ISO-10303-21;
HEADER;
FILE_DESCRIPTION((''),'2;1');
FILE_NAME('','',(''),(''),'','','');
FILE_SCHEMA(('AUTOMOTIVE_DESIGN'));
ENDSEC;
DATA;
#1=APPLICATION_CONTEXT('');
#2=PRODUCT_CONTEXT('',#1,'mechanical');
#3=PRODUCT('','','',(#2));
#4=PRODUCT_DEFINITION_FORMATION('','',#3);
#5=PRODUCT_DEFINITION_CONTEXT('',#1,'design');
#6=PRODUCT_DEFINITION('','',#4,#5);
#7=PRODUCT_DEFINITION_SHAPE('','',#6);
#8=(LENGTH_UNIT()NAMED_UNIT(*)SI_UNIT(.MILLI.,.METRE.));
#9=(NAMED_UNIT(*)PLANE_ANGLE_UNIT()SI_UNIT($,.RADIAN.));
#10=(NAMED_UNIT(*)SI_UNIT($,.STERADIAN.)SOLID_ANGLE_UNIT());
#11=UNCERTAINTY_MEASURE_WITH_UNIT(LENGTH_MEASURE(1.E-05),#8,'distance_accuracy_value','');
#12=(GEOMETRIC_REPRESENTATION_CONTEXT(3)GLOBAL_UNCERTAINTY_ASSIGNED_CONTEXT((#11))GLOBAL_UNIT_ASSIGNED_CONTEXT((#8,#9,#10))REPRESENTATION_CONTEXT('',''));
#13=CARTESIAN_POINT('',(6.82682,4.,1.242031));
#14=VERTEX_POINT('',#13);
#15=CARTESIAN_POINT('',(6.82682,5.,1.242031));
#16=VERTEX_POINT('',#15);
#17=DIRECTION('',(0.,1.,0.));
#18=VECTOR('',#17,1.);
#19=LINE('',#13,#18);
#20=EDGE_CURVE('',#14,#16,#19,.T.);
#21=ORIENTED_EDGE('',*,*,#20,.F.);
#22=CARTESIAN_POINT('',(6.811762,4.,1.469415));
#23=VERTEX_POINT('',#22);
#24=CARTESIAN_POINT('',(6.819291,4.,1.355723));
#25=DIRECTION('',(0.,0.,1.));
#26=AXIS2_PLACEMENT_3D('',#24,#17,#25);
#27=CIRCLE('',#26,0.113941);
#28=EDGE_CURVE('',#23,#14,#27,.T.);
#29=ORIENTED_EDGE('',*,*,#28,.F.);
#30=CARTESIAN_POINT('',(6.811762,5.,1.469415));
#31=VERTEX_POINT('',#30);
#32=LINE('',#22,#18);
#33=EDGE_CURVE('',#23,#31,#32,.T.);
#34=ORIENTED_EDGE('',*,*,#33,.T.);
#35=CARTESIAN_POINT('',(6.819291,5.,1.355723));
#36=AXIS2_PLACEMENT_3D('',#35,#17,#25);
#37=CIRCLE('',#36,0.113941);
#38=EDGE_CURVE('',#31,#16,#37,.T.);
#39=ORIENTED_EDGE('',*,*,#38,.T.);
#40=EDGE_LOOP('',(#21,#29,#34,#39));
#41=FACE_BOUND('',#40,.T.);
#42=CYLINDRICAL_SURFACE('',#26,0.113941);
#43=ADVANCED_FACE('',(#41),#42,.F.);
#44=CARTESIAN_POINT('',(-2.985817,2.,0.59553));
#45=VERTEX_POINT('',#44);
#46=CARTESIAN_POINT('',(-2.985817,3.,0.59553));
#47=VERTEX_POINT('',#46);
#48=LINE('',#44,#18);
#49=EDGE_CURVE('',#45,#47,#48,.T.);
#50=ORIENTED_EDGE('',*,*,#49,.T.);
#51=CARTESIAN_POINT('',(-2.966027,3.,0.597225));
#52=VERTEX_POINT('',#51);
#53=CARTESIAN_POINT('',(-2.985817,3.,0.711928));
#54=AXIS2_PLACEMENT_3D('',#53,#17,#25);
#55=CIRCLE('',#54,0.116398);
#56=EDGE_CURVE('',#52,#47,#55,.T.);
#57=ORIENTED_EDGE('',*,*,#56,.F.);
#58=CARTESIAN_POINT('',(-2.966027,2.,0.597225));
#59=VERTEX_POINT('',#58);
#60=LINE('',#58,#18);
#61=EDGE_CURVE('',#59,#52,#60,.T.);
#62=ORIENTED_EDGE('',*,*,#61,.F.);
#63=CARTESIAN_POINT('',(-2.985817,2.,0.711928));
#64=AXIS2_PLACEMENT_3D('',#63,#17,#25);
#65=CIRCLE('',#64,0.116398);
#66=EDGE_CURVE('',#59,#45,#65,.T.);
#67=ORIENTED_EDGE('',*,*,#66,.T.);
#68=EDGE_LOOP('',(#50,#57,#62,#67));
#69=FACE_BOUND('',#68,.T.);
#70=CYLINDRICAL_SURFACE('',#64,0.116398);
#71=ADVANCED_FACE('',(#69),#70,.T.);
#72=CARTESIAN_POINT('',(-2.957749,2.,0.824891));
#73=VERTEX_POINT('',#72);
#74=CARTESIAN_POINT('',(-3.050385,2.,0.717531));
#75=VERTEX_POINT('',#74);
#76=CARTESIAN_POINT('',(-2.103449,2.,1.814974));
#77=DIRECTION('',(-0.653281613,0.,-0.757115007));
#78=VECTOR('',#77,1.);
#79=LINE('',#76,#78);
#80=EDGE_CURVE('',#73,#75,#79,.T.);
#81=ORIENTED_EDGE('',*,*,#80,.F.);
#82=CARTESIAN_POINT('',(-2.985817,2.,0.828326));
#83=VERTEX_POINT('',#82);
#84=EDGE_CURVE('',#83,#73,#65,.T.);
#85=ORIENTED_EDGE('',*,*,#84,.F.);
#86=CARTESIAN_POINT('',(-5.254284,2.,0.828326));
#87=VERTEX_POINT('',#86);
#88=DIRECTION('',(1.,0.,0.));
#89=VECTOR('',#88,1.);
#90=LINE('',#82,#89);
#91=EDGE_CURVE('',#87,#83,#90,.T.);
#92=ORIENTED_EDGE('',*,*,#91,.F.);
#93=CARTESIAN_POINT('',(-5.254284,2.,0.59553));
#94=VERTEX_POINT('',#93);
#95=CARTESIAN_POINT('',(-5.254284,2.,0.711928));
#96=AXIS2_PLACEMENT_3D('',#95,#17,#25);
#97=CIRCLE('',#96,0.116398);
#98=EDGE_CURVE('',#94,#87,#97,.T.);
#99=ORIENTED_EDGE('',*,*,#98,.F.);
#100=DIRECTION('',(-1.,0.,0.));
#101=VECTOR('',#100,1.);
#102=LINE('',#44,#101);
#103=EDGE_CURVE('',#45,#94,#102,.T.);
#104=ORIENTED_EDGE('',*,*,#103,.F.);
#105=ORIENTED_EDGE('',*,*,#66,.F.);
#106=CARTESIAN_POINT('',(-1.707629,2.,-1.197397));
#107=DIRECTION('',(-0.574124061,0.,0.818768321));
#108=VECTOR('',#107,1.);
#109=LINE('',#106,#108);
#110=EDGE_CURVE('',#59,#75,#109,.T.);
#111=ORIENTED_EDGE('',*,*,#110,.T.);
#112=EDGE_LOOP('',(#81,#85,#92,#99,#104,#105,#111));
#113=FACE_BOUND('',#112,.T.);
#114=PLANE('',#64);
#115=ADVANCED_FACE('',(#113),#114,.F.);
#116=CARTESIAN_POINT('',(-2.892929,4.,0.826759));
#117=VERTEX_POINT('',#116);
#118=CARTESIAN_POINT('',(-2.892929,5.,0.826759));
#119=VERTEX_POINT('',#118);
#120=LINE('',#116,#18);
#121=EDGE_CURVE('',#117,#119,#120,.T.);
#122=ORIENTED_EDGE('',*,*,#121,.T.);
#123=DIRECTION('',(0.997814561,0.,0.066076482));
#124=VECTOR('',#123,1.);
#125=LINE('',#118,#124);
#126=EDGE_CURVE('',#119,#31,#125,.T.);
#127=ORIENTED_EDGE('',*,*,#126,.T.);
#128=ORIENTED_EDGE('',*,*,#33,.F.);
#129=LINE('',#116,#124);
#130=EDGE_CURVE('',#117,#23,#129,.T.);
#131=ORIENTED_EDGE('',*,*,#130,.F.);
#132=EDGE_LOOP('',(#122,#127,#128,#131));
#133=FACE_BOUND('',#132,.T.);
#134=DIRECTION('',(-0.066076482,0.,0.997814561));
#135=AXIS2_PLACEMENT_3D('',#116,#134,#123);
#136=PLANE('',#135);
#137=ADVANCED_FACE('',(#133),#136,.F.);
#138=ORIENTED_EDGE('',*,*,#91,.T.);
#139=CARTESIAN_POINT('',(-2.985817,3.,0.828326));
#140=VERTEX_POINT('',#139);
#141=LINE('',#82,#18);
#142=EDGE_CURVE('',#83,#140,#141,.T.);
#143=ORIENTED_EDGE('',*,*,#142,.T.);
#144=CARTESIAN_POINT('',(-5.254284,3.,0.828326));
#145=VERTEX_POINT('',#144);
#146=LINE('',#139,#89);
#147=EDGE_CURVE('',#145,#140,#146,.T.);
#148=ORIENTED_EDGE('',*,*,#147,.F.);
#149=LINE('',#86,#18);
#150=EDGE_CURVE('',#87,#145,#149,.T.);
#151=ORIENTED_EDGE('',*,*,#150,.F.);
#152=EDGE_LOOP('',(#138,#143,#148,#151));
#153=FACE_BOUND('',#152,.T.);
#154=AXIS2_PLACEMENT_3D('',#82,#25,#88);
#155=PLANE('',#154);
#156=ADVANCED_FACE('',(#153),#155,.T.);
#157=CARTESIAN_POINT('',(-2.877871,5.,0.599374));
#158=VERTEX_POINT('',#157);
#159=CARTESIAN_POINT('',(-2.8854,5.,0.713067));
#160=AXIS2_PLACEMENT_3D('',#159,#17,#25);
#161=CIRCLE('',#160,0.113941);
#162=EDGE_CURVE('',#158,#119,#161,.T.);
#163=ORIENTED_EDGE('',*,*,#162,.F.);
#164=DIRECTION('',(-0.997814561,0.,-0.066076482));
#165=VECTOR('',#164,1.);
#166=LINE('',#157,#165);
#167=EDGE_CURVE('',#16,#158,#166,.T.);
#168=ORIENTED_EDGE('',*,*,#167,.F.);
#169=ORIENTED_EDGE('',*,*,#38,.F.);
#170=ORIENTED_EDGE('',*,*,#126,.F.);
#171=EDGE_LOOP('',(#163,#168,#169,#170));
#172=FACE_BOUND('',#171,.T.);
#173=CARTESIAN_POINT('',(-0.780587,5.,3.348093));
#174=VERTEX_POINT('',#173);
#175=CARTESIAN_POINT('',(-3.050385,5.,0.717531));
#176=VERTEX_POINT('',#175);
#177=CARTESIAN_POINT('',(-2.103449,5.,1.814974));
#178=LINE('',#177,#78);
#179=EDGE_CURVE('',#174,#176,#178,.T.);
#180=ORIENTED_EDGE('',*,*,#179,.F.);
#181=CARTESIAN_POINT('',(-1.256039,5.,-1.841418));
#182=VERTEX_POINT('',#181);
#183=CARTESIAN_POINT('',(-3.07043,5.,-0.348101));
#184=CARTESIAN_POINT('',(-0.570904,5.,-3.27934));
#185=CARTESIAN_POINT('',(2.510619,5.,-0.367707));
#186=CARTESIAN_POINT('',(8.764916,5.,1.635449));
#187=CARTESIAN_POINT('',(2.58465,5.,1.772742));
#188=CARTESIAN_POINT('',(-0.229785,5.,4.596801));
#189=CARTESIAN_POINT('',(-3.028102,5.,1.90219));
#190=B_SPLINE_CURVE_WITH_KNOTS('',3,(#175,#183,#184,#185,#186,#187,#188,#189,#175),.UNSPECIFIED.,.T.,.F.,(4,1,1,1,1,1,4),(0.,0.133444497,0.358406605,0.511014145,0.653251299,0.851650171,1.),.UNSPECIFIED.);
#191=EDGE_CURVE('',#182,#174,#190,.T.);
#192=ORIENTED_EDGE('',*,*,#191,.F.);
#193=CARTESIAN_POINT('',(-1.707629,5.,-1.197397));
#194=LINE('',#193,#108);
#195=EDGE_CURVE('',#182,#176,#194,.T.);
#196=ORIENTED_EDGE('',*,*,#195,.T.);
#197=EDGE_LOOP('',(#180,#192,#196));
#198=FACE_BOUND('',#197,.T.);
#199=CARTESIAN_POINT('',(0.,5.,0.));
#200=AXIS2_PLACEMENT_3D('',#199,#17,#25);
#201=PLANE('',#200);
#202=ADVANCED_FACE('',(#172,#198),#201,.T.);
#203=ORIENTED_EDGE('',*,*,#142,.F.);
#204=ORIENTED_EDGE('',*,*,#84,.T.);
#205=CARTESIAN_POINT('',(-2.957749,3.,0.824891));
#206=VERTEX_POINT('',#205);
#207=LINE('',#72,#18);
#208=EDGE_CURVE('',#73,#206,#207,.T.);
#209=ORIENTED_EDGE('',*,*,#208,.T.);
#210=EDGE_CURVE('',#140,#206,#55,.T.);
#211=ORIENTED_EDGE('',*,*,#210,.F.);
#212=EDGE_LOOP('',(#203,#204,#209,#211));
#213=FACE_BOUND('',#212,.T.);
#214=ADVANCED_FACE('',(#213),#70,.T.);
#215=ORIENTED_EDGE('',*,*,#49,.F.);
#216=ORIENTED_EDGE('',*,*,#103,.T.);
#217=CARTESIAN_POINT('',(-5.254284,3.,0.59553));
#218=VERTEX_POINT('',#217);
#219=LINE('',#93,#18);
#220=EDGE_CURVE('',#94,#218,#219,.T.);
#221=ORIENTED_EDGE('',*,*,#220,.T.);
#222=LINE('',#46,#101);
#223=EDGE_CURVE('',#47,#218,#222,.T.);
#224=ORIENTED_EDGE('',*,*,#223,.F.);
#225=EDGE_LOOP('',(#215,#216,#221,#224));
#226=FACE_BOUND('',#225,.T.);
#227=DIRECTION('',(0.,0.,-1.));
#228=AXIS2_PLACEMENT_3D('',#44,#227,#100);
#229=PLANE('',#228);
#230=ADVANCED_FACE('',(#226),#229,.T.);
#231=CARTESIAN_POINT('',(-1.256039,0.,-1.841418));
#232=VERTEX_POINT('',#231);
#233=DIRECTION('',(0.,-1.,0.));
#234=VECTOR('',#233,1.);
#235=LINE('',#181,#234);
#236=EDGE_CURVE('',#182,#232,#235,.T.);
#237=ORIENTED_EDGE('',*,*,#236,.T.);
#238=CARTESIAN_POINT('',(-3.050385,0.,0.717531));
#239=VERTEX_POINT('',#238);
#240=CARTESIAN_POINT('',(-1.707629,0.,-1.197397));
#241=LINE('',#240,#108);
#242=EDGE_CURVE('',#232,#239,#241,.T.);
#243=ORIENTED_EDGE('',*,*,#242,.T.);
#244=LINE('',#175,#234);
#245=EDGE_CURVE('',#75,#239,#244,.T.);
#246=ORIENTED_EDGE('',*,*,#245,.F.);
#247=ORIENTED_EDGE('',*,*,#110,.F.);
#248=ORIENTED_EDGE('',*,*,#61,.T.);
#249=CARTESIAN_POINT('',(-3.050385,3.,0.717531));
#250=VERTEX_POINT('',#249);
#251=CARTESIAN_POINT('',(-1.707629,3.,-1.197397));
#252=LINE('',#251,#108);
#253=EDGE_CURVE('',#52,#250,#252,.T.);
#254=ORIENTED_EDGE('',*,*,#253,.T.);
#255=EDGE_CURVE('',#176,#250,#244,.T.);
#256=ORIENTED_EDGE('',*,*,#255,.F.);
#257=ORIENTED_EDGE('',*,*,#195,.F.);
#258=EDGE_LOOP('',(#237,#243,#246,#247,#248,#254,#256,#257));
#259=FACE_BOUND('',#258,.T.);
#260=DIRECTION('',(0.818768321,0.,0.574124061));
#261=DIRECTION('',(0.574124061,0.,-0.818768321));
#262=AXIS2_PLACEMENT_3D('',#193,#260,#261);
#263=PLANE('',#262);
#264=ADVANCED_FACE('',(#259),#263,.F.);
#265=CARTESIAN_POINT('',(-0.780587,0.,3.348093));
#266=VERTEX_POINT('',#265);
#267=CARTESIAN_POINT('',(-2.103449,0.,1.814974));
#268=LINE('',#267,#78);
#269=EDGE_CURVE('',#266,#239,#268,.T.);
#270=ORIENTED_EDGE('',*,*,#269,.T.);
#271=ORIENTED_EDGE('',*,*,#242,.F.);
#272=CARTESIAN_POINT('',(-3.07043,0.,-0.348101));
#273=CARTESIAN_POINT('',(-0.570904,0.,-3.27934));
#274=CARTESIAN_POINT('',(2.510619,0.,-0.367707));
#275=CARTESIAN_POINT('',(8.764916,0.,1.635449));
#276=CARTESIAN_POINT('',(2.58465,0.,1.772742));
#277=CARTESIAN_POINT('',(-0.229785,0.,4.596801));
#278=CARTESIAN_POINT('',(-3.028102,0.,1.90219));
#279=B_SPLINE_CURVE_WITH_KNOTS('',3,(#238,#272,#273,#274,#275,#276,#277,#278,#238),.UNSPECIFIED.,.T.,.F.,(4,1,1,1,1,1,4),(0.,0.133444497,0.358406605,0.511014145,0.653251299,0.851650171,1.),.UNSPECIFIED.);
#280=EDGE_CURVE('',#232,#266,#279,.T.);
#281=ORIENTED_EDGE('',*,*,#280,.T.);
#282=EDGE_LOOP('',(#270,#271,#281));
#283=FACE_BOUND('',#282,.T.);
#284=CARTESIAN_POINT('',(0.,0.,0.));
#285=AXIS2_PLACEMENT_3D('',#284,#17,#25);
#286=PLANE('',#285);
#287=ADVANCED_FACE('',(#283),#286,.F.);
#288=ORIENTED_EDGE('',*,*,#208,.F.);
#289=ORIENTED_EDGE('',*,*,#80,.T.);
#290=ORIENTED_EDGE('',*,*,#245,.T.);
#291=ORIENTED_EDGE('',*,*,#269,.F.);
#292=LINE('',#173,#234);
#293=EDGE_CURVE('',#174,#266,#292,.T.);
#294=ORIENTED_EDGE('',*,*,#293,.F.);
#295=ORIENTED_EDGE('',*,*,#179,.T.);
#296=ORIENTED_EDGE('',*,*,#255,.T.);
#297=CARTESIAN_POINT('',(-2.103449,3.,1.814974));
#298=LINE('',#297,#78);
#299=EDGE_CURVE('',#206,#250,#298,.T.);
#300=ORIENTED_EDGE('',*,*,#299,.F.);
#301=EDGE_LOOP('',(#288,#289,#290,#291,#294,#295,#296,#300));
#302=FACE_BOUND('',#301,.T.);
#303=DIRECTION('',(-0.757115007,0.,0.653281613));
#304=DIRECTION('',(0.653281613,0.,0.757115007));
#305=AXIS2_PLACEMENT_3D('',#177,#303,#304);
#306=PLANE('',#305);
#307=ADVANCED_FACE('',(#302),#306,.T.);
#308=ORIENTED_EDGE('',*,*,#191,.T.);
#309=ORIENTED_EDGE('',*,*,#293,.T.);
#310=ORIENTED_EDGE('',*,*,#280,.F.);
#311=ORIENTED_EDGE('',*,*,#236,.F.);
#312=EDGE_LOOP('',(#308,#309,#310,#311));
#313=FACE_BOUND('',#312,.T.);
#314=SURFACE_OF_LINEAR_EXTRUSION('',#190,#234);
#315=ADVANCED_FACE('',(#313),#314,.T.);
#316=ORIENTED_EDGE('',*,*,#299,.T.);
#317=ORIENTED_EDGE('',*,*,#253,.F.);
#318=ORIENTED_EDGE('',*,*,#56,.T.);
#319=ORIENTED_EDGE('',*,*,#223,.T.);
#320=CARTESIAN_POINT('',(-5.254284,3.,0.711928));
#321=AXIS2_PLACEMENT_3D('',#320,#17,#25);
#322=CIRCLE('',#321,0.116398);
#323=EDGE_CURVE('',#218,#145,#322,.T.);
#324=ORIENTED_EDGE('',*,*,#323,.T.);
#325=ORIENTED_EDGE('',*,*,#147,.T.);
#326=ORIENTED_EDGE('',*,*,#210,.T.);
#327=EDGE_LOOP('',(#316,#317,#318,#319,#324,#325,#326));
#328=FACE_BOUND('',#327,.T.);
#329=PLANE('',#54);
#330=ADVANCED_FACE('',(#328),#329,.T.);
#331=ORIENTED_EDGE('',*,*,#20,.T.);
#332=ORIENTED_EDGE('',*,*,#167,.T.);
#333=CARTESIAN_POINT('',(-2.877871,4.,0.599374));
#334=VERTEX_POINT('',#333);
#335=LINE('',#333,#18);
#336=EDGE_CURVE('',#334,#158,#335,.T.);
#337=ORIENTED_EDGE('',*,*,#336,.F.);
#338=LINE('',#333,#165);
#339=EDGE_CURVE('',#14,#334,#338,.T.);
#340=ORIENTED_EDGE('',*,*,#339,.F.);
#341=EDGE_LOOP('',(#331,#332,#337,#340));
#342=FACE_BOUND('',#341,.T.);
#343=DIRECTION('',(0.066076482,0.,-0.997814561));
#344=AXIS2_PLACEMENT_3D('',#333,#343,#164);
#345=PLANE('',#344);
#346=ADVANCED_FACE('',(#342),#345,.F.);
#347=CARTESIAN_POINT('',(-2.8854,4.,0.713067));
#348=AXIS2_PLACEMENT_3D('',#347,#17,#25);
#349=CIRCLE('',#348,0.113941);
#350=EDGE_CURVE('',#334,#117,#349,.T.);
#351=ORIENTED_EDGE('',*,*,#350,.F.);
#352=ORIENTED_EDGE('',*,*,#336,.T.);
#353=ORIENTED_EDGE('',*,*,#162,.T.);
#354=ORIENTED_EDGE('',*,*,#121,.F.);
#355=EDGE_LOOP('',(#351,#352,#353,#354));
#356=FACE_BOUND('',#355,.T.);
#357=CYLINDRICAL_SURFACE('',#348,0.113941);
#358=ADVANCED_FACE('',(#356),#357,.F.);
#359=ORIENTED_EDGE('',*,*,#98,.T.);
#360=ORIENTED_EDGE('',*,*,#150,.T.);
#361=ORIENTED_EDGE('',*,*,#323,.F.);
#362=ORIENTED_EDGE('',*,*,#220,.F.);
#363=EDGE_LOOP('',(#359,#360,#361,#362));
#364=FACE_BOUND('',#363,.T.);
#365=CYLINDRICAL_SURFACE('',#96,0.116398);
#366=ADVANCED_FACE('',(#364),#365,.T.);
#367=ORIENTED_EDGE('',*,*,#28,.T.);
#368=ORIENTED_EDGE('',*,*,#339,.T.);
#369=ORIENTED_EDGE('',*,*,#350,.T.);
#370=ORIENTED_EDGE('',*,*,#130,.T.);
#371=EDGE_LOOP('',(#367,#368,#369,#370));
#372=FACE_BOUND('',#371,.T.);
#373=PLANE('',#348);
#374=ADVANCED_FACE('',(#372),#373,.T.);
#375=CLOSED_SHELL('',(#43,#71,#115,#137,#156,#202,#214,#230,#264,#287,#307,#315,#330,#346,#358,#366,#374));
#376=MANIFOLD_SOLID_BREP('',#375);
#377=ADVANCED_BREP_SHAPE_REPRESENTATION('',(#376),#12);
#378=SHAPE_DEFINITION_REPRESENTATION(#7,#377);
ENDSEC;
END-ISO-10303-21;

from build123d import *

# Parameters (mm, degrees)
BOSS_EXTRUDE3_DEPTH      = 5
CUT_EXTRUDE1_DEPTH       = 1
BOSS_EXTRUDE5_DEPTH      = 0.5
BOSS_EXTRUDE5_DEPTH_BACK = 0.5


with BuildPart() as part:
    # Sketch6 → Boss-Extrude3 (new body)
    with BuildSketch(Plane(origin=(0, 0, 0), x_dir=(1, 0, 0), z_dir=(0, 1, 0))):
        with BuildLine():
            add(Edge.make_bspline(
                [(-1.256039449, 1.841417614), (0.233794125, 2.519006442), (2.510618748, 0.36770734), (8.764915625, -1.635448525), (2.584650338, -1.772742295), (0.624065698, -3.740030696), (-0.780587173, -3.3480934)],
                knots=[0.133444497, 0.133444497, 0.133444497, 0.133444497, 0.358406605, 0.511014145, 0.653251299, 0.851650171, 0.851650171, 0.851650171, 0.851650171], degree=3))
            Line((-1.256039449, 1.841417614), (-3.050385484, -0.717530514))
            Line((-3.050385484, -0.717530514), (-0.780587173, -3.3480934))
        make_face()
    extrude(amount=BOSS_EXTRUDE3_DEPTH)

    # Sketch7 → Cut-Extrude1 (cut)
    with BuildSketch(Plane(origin=(0, 5, 0), x_dir=(1, 0, 0), z_dir=(0, 1, 0))):
        with BuildLine():
            Line((-2.877871497, -0.599374404), (6.826819959, -1.242030763))
            ThreePointArc((6.826819959, -1.242030763), (6.932983359, -1.363251838), (6.811762285, -1.469415239))
            Line((6.811762285, -1.469415239), (-2.892929171, -0.826758879))
            ThreePointArc((-2.892929171, -0.826758879), (-2.999092572, -0.705537804), (-2.877871497, -0.599374404))
        make_face()
    extrude(amount=-CUT_EXTRUDE1_DEPTH, mode=Mode.SUBTRACT)

    # Sketch9 → Boss-Extrude5 (add, two sides: drawn at the far end of the back side and taken through both)
    with BuildSketch(Plane(origin=(0, 2.5, 0), x_dir=(1, 0, 0), z_dir=(0, 1, 0)).offset(-BOSS_EXTRUDE5_DEPTH_BACK)):
        with BuildLine():
            Line((-2.985816802, -0.828326194), (-5.254284336, -0.828326194))
            ThreePointArc((-5.254284336, -0.828326194), (-5.370682329, -0.711928202), (-5.254284336, -0.59553021))
            Line((-5.254284336, -0.59553021), (-2.985816802, -0.59553021))
            ThreePointArc((-2.985816802, -0.59553021), (-2.86941881, -0.711928202), (-2.985816802, -0.828326194))
        make_face()
    extrude(amount=BOSS_EXTRUDE5_DEPTH + BOSS_EXTRUDE5_DEPTH_BACK)


solid = part.part
